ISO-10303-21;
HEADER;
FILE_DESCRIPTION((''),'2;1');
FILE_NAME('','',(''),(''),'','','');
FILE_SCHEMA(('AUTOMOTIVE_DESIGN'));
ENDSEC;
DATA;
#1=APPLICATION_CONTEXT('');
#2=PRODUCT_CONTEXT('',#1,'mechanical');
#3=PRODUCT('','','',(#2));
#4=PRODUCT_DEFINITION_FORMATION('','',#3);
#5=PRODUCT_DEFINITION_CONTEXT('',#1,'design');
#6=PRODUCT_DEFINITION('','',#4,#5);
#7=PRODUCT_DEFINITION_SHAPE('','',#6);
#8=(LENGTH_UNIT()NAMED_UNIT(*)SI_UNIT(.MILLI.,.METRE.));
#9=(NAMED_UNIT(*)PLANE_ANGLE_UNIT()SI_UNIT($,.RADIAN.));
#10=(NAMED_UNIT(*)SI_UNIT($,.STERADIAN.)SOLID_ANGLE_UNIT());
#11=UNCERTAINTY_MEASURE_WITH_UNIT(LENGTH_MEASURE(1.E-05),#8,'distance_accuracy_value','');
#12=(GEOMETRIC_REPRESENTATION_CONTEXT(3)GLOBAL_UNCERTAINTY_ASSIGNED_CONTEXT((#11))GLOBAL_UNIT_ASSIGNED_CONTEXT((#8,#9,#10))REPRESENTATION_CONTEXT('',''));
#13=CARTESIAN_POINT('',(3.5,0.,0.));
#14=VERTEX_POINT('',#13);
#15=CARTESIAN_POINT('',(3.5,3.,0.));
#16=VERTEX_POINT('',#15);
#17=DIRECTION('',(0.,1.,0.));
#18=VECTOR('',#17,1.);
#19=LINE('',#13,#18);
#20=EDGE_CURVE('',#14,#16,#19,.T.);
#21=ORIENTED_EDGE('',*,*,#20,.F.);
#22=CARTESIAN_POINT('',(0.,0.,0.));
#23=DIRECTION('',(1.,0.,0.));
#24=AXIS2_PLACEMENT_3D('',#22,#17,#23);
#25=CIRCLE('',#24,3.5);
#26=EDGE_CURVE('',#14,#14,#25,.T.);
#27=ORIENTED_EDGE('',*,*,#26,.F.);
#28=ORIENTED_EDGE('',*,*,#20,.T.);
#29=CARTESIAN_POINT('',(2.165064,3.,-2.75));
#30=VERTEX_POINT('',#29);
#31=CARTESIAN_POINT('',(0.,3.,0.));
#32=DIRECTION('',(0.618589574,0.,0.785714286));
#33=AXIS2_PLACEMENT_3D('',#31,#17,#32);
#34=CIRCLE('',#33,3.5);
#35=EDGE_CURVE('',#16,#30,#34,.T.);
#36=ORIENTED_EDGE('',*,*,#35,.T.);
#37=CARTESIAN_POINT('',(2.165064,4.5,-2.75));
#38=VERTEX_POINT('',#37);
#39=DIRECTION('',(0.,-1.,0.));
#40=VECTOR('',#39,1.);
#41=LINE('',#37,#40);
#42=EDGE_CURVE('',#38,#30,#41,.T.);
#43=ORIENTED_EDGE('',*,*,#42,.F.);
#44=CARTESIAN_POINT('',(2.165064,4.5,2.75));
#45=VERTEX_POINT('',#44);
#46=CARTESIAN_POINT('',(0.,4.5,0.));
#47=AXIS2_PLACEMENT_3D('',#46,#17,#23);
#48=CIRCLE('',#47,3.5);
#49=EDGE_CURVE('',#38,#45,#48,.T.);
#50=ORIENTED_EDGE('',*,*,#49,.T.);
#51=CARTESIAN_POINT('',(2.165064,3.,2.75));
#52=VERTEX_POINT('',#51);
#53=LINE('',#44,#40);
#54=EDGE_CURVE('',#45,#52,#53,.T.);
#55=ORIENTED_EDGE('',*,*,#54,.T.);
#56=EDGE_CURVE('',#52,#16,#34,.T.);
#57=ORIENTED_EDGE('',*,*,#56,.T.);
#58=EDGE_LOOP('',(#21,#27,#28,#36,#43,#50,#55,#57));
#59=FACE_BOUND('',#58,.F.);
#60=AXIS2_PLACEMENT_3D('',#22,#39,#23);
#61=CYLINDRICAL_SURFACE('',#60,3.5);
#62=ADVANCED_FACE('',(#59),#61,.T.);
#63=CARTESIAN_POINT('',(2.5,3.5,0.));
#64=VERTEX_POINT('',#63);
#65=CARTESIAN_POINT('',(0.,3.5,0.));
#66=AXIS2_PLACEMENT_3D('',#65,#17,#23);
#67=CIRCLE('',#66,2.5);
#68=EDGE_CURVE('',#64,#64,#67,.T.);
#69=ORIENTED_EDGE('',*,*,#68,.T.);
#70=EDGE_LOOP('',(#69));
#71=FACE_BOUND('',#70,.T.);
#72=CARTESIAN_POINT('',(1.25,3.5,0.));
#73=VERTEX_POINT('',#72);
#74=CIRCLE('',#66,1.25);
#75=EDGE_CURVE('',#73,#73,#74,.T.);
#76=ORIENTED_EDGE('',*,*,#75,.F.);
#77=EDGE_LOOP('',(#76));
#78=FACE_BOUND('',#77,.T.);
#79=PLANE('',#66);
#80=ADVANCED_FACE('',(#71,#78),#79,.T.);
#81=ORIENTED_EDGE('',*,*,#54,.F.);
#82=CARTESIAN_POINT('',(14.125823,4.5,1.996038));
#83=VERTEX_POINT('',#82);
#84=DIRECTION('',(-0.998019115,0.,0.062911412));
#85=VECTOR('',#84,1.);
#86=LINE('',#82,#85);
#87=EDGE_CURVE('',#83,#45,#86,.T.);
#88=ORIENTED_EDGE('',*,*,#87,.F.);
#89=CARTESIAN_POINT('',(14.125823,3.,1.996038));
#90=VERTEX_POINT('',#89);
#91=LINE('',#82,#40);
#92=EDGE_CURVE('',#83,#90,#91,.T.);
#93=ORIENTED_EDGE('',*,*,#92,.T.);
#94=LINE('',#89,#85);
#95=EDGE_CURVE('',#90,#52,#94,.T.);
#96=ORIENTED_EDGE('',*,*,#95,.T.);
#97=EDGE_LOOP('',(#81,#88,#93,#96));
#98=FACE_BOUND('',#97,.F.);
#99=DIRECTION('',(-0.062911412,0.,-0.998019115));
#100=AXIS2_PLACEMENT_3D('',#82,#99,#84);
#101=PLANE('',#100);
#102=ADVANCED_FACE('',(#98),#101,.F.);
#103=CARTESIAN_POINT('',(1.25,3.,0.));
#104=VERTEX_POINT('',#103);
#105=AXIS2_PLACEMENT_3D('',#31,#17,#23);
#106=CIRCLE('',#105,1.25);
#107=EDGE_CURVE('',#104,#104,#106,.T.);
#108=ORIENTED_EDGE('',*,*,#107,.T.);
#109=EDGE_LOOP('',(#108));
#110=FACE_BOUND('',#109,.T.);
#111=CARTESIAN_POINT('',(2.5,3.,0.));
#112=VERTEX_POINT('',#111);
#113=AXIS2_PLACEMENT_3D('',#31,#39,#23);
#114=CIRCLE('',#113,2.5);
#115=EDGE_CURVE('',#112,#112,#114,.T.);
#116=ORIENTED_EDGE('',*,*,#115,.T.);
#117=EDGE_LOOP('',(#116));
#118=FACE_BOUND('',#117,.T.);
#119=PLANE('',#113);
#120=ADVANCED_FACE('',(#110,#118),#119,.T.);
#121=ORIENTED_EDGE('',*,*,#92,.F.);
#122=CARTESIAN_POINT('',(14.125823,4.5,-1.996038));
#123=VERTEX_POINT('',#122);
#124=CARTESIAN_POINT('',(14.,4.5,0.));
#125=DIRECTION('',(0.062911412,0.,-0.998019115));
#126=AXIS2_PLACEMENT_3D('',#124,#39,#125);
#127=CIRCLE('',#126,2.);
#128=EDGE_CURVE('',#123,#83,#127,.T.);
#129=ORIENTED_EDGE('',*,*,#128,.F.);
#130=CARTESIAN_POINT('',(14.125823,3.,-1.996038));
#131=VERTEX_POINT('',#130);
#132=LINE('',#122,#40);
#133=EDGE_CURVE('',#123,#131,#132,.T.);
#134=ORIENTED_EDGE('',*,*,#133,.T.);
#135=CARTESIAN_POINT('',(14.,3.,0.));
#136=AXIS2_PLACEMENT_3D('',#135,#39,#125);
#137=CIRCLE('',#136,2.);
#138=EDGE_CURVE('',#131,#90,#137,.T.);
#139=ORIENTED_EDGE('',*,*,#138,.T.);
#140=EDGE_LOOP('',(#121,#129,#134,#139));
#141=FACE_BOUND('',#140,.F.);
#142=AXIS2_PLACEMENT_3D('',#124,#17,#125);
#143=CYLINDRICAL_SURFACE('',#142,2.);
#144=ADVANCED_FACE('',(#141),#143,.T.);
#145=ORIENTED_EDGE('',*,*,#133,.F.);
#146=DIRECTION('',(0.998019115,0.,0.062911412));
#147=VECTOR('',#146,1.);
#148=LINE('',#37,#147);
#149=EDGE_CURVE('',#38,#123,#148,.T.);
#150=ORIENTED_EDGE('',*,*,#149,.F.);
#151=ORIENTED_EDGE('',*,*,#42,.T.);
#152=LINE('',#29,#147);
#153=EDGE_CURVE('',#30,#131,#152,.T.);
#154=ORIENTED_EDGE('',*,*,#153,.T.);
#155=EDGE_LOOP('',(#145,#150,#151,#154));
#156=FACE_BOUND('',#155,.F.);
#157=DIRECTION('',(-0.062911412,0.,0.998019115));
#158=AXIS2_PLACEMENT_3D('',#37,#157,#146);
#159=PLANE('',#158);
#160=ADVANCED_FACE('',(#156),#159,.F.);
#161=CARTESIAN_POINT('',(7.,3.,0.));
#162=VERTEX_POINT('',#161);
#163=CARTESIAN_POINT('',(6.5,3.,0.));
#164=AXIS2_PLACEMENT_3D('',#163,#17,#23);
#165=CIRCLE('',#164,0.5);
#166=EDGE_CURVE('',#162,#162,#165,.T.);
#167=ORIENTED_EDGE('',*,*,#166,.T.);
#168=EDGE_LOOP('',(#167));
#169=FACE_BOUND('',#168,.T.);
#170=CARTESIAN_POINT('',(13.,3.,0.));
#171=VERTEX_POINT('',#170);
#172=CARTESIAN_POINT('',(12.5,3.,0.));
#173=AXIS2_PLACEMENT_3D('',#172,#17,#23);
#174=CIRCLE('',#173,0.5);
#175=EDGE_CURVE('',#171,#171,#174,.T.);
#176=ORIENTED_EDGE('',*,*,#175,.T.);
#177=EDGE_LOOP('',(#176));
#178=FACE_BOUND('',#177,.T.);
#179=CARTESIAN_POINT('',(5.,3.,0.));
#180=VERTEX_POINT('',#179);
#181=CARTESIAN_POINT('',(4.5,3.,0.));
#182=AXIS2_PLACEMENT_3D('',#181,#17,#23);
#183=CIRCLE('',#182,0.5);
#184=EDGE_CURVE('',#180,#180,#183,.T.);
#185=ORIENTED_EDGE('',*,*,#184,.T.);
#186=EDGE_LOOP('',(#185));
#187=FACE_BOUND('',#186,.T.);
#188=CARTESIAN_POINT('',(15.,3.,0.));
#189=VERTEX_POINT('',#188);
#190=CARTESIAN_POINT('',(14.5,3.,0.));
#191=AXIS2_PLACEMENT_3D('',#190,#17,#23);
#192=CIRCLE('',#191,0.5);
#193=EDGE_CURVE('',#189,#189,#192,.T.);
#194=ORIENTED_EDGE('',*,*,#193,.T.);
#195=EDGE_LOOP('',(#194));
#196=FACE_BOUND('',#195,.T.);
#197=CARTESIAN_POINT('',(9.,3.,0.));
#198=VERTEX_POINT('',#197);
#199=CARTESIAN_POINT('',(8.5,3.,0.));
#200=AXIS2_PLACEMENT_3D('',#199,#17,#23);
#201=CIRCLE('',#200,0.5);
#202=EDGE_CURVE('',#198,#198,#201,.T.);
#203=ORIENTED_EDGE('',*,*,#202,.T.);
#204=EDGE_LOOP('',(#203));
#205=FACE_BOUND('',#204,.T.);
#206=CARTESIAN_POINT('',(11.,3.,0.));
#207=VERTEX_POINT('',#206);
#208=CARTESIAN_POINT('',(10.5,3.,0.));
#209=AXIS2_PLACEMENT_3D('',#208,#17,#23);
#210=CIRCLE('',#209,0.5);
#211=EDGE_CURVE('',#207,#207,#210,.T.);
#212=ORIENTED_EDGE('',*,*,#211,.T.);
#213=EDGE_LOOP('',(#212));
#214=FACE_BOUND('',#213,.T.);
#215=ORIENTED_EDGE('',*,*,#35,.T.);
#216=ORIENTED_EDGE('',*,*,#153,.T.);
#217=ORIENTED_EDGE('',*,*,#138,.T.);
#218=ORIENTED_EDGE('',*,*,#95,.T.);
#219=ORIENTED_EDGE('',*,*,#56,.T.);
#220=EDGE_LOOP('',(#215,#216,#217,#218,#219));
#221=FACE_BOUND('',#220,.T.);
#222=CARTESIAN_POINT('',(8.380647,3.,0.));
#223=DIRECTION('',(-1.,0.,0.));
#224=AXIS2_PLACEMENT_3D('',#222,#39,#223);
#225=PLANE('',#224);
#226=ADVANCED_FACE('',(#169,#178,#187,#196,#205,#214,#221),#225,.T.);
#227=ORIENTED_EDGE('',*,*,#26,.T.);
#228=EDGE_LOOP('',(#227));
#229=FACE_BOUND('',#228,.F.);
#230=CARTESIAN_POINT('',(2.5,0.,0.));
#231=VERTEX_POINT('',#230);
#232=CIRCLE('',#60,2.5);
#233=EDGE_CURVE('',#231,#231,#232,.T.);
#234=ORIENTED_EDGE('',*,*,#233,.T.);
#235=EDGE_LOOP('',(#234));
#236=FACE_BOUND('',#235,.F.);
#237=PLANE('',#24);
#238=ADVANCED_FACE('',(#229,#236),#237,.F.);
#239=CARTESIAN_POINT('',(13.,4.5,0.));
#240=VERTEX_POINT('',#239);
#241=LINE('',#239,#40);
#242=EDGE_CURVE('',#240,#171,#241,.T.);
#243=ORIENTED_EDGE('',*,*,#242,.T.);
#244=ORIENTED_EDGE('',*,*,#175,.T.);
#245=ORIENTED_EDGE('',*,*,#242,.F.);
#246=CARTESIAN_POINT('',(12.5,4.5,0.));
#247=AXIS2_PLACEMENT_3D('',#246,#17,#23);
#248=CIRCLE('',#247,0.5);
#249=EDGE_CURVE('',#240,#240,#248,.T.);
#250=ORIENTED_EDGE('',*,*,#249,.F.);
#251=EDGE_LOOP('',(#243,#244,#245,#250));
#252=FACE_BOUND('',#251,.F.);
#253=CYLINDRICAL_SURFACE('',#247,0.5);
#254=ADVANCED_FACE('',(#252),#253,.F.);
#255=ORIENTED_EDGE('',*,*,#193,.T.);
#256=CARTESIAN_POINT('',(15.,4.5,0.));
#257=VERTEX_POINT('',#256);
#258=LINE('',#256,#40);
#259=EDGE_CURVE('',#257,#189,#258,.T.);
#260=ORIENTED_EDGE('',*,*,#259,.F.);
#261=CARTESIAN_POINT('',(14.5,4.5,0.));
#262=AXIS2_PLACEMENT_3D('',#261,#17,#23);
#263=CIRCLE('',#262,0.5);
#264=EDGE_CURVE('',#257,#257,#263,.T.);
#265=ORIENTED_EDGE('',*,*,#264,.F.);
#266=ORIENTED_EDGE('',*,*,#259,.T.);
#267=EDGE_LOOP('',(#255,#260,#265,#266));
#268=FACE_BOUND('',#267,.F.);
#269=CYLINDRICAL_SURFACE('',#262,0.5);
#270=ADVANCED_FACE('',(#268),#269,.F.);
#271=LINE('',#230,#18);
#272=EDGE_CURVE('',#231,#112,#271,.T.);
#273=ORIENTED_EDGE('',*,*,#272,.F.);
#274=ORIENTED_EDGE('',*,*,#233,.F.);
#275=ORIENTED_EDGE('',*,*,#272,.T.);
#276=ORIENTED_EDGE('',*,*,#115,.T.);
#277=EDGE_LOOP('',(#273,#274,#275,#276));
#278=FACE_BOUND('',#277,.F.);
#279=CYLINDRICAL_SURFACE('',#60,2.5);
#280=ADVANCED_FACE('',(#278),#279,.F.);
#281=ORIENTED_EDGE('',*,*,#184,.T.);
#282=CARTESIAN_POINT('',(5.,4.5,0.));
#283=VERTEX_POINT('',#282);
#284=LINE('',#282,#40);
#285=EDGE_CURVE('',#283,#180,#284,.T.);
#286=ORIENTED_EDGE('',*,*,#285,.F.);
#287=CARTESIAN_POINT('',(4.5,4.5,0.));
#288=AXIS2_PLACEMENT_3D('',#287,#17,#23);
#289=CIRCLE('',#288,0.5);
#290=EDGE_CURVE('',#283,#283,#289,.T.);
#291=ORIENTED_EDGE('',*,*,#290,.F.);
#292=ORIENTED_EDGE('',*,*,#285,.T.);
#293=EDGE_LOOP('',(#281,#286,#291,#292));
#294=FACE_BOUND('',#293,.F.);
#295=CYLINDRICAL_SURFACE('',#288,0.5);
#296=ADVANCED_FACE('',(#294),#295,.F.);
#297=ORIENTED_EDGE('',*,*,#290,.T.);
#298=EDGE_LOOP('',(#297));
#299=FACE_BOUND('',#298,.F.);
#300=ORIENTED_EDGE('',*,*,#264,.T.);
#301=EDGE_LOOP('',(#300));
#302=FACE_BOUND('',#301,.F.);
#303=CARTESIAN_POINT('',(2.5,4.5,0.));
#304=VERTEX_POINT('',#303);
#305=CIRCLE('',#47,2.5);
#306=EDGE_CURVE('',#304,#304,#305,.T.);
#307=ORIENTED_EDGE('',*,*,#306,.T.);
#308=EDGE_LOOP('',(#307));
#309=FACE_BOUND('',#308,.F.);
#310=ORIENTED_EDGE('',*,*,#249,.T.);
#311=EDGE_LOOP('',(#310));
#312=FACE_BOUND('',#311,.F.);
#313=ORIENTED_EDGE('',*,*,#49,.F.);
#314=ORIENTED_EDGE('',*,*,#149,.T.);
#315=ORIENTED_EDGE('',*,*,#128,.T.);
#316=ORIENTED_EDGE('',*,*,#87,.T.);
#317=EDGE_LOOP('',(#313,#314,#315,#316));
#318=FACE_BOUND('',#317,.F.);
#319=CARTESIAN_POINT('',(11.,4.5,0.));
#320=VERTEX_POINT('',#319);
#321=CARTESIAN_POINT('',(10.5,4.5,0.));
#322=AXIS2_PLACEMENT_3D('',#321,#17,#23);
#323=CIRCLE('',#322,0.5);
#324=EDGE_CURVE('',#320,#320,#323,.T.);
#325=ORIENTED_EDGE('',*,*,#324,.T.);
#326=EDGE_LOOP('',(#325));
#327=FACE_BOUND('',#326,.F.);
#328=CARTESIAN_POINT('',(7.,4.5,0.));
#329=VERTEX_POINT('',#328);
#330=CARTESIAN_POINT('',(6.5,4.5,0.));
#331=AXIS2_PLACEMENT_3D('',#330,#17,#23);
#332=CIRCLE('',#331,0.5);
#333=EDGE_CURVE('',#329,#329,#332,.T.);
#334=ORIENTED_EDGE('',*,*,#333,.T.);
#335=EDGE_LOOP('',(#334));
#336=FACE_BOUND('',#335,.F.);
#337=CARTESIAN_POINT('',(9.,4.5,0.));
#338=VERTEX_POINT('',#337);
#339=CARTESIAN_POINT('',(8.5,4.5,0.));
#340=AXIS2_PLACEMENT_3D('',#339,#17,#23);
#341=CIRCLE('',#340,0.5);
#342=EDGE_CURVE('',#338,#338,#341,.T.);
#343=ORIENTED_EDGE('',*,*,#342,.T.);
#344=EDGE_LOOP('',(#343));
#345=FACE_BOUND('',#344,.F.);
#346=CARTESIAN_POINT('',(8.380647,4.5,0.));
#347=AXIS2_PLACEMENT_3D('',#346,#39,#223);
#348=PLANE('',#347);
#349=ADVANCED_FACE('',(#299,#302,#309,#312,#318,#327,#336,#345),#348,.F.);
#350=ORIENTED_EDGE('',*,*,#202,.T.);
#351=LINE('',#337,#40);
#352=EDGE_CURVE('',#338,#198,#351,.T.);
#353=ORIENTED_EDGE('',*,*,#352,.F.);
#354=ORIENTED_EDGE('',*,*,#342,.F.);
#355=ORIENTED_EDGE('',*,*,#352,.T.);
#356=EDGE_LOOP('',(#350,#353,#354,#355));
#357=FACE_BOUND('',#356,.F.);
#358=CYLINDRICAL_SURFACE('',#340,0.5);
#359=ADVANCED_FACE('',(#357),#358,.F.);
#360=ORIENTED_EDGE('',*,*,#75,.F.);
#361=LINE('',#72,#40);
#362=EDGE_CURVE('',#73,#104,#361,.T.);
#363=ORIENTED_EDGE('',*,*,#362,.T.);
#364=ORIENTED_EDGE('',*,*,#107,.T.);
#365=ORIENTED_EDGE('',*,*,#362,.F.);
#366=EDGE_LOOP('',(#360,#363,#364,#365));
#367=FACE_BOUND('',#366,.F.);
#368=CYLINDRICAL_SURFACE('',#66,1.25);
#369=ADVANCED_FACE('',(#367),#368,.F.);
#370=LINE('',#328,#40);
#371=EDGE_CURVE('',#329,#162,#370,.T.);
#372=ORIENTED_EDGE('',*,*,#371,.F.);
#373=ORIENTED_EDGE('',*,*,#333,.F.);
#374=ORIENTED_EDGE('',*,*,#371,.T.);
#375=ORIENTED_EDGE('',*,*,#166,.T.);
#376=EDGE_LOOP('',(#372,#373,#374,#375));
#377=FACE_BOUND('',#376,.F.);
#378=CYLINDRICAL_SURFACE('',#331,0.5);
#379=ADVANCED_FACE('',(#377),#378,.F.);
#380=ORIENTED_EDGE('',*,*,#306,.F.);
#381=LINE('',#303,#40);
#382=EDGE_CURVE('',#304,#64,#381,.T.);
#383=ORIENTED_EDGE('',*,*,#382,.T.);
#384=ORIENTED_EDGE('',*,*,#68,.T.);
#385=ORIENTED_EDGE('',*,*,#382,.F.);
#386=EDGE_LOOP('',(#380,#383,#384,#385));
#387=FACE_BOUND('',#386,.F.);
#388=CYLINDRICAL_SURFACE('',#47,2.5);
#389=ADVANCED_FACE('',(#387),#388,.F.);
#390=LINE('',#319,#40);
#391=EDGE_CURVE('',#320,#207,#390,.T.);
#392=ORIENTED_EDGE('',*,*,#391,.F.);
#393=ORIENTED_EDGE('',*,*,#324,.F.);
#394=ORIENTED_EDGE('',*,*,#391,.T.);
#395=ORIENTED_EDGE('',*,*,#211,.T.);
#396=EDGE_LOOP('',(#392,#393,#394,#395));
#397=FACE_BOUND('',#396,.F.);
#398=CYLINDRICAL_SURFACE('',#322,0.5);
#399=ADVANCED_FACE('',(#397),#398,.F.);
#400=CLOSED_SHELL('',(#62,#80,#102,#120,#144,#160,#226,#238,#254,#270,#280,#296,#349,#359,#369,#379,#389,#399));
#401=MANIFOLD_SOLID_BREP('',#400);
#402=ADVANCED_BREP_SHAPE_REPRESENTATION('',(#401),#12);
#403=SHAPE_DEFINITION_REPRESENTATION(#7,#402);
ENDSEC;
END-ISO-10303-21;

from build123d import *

# Parameters (mm, degrees)
SKETCH1_R           = 3.5
BOSS_EXTRUDE1_DEPTH = 4.5
SKETCH2_R           = 2.5
CUT_EXTRUDE1_DEPTH  = 1
SKETCH3_R           = 2.5
CUT_EXTRUDE2_DEPTH  = 3
SKETCH4_R           = 1.25
CUT_EXTRUDE3_DEPTH  = 4.5
BOSS_EXTRUDE2_DEPTH = 1.5
SKETCH6_R           = 0.5
CUT_EXTRUDE4_DEPTH  = 5.5


with BuildPart() as part:
    # Sketch1 → Boss-Extrude1 (new body)
    with BuildSketch(Plane(origin=(0, 0, 0), x_dir=(1, 0, 0), z_dir=(0, 1, 0))):
        Circle(SKETCH1_R)
    extrude(amount=BOSS_EXTRUDE1_DEPTH)

    # Sketch2 → Cut-Extrude1 (cut)
    with BuildSketch(Plane(origin=(0, 4.5, 0), x_dir=(1, 0, 0), z_dir=(0, 1, 0))):
        Circle(SKETCH2_R)
    extrude(amount=-CUT_EXTRUDE1_DEPTH, mode=Mode.SUBTRACT)

    # Sketch3 → Cut-Extrude2 (cut)
    with BuildSketch(Plane.XZ):
        Circle(SKETCH3_R)
    extrude(amount=-CUT_EXTRUDE2_DEPTH, mode=Mode.SUBTRACT)

    # Sketch4 → Cut-Extrude3 (cut, through all)
    with BuildSketch(Plane(origin=(0, 3.5, 0), x_dir=(1, 0, 0), z_dir=(0, 1, 0))):
        Circle(SKETCH4_R)
    extrude(amount=-CUT_EXTRUDE3_DEPTH, mode=Mode.SUBTRACT)

    # Sketch5 → Boss-Extrude2 (add)
    with BuildSketch(Plane(origin=(0, 4.5, 0), x_dir=(1, 0, 0), z_dir=(0, 1, 0))):
        with BuildLine():
            Line((2.165063509, 2.75), (14.125822824, 1.99603823))
            ThreePointArc((14.125822824, 1.99603823), (16, 0), (14.125822824, -1.99603823))
            Line((14.125822824, -1.99603823), (2.165063509, -2.75))
            ThreePointArc((2.165063509, -2.75), (3.5, 0), (2.165063509, 2.75))
        make_face()
    extrude(amount=-BOSS_EXTRUDE2_DEPTH)

    # Sketch6 → Cut-Extrude4 (cut, through all)
    with BuildSketch(Plane(origin=(0, 4.5, 0), x_dir=(1, 0, 0), z_dir=(0, 1, 0))):
        with Locations((4.5, 0)):
            Circle(SKETCH6_R)
        with Locations((6.5, 0)):
            Circle(SKETCH6_R)
        with Locations((8.5, 0)):
            Circle(SKETCH6_R)
        with Locations((10.5, 0)):
            Circle(SKETCH6_R)
        with Locations((12.5, 0)):
            Circle(SKETCH6_R)
        with Locations((14.5, 0)):
            Circle(SKETCH6_R)
    extrude(amount=-CUT_EXTRUDE4_DEPTH, mode=Mode.SUBTRACT)


solid = part.part
